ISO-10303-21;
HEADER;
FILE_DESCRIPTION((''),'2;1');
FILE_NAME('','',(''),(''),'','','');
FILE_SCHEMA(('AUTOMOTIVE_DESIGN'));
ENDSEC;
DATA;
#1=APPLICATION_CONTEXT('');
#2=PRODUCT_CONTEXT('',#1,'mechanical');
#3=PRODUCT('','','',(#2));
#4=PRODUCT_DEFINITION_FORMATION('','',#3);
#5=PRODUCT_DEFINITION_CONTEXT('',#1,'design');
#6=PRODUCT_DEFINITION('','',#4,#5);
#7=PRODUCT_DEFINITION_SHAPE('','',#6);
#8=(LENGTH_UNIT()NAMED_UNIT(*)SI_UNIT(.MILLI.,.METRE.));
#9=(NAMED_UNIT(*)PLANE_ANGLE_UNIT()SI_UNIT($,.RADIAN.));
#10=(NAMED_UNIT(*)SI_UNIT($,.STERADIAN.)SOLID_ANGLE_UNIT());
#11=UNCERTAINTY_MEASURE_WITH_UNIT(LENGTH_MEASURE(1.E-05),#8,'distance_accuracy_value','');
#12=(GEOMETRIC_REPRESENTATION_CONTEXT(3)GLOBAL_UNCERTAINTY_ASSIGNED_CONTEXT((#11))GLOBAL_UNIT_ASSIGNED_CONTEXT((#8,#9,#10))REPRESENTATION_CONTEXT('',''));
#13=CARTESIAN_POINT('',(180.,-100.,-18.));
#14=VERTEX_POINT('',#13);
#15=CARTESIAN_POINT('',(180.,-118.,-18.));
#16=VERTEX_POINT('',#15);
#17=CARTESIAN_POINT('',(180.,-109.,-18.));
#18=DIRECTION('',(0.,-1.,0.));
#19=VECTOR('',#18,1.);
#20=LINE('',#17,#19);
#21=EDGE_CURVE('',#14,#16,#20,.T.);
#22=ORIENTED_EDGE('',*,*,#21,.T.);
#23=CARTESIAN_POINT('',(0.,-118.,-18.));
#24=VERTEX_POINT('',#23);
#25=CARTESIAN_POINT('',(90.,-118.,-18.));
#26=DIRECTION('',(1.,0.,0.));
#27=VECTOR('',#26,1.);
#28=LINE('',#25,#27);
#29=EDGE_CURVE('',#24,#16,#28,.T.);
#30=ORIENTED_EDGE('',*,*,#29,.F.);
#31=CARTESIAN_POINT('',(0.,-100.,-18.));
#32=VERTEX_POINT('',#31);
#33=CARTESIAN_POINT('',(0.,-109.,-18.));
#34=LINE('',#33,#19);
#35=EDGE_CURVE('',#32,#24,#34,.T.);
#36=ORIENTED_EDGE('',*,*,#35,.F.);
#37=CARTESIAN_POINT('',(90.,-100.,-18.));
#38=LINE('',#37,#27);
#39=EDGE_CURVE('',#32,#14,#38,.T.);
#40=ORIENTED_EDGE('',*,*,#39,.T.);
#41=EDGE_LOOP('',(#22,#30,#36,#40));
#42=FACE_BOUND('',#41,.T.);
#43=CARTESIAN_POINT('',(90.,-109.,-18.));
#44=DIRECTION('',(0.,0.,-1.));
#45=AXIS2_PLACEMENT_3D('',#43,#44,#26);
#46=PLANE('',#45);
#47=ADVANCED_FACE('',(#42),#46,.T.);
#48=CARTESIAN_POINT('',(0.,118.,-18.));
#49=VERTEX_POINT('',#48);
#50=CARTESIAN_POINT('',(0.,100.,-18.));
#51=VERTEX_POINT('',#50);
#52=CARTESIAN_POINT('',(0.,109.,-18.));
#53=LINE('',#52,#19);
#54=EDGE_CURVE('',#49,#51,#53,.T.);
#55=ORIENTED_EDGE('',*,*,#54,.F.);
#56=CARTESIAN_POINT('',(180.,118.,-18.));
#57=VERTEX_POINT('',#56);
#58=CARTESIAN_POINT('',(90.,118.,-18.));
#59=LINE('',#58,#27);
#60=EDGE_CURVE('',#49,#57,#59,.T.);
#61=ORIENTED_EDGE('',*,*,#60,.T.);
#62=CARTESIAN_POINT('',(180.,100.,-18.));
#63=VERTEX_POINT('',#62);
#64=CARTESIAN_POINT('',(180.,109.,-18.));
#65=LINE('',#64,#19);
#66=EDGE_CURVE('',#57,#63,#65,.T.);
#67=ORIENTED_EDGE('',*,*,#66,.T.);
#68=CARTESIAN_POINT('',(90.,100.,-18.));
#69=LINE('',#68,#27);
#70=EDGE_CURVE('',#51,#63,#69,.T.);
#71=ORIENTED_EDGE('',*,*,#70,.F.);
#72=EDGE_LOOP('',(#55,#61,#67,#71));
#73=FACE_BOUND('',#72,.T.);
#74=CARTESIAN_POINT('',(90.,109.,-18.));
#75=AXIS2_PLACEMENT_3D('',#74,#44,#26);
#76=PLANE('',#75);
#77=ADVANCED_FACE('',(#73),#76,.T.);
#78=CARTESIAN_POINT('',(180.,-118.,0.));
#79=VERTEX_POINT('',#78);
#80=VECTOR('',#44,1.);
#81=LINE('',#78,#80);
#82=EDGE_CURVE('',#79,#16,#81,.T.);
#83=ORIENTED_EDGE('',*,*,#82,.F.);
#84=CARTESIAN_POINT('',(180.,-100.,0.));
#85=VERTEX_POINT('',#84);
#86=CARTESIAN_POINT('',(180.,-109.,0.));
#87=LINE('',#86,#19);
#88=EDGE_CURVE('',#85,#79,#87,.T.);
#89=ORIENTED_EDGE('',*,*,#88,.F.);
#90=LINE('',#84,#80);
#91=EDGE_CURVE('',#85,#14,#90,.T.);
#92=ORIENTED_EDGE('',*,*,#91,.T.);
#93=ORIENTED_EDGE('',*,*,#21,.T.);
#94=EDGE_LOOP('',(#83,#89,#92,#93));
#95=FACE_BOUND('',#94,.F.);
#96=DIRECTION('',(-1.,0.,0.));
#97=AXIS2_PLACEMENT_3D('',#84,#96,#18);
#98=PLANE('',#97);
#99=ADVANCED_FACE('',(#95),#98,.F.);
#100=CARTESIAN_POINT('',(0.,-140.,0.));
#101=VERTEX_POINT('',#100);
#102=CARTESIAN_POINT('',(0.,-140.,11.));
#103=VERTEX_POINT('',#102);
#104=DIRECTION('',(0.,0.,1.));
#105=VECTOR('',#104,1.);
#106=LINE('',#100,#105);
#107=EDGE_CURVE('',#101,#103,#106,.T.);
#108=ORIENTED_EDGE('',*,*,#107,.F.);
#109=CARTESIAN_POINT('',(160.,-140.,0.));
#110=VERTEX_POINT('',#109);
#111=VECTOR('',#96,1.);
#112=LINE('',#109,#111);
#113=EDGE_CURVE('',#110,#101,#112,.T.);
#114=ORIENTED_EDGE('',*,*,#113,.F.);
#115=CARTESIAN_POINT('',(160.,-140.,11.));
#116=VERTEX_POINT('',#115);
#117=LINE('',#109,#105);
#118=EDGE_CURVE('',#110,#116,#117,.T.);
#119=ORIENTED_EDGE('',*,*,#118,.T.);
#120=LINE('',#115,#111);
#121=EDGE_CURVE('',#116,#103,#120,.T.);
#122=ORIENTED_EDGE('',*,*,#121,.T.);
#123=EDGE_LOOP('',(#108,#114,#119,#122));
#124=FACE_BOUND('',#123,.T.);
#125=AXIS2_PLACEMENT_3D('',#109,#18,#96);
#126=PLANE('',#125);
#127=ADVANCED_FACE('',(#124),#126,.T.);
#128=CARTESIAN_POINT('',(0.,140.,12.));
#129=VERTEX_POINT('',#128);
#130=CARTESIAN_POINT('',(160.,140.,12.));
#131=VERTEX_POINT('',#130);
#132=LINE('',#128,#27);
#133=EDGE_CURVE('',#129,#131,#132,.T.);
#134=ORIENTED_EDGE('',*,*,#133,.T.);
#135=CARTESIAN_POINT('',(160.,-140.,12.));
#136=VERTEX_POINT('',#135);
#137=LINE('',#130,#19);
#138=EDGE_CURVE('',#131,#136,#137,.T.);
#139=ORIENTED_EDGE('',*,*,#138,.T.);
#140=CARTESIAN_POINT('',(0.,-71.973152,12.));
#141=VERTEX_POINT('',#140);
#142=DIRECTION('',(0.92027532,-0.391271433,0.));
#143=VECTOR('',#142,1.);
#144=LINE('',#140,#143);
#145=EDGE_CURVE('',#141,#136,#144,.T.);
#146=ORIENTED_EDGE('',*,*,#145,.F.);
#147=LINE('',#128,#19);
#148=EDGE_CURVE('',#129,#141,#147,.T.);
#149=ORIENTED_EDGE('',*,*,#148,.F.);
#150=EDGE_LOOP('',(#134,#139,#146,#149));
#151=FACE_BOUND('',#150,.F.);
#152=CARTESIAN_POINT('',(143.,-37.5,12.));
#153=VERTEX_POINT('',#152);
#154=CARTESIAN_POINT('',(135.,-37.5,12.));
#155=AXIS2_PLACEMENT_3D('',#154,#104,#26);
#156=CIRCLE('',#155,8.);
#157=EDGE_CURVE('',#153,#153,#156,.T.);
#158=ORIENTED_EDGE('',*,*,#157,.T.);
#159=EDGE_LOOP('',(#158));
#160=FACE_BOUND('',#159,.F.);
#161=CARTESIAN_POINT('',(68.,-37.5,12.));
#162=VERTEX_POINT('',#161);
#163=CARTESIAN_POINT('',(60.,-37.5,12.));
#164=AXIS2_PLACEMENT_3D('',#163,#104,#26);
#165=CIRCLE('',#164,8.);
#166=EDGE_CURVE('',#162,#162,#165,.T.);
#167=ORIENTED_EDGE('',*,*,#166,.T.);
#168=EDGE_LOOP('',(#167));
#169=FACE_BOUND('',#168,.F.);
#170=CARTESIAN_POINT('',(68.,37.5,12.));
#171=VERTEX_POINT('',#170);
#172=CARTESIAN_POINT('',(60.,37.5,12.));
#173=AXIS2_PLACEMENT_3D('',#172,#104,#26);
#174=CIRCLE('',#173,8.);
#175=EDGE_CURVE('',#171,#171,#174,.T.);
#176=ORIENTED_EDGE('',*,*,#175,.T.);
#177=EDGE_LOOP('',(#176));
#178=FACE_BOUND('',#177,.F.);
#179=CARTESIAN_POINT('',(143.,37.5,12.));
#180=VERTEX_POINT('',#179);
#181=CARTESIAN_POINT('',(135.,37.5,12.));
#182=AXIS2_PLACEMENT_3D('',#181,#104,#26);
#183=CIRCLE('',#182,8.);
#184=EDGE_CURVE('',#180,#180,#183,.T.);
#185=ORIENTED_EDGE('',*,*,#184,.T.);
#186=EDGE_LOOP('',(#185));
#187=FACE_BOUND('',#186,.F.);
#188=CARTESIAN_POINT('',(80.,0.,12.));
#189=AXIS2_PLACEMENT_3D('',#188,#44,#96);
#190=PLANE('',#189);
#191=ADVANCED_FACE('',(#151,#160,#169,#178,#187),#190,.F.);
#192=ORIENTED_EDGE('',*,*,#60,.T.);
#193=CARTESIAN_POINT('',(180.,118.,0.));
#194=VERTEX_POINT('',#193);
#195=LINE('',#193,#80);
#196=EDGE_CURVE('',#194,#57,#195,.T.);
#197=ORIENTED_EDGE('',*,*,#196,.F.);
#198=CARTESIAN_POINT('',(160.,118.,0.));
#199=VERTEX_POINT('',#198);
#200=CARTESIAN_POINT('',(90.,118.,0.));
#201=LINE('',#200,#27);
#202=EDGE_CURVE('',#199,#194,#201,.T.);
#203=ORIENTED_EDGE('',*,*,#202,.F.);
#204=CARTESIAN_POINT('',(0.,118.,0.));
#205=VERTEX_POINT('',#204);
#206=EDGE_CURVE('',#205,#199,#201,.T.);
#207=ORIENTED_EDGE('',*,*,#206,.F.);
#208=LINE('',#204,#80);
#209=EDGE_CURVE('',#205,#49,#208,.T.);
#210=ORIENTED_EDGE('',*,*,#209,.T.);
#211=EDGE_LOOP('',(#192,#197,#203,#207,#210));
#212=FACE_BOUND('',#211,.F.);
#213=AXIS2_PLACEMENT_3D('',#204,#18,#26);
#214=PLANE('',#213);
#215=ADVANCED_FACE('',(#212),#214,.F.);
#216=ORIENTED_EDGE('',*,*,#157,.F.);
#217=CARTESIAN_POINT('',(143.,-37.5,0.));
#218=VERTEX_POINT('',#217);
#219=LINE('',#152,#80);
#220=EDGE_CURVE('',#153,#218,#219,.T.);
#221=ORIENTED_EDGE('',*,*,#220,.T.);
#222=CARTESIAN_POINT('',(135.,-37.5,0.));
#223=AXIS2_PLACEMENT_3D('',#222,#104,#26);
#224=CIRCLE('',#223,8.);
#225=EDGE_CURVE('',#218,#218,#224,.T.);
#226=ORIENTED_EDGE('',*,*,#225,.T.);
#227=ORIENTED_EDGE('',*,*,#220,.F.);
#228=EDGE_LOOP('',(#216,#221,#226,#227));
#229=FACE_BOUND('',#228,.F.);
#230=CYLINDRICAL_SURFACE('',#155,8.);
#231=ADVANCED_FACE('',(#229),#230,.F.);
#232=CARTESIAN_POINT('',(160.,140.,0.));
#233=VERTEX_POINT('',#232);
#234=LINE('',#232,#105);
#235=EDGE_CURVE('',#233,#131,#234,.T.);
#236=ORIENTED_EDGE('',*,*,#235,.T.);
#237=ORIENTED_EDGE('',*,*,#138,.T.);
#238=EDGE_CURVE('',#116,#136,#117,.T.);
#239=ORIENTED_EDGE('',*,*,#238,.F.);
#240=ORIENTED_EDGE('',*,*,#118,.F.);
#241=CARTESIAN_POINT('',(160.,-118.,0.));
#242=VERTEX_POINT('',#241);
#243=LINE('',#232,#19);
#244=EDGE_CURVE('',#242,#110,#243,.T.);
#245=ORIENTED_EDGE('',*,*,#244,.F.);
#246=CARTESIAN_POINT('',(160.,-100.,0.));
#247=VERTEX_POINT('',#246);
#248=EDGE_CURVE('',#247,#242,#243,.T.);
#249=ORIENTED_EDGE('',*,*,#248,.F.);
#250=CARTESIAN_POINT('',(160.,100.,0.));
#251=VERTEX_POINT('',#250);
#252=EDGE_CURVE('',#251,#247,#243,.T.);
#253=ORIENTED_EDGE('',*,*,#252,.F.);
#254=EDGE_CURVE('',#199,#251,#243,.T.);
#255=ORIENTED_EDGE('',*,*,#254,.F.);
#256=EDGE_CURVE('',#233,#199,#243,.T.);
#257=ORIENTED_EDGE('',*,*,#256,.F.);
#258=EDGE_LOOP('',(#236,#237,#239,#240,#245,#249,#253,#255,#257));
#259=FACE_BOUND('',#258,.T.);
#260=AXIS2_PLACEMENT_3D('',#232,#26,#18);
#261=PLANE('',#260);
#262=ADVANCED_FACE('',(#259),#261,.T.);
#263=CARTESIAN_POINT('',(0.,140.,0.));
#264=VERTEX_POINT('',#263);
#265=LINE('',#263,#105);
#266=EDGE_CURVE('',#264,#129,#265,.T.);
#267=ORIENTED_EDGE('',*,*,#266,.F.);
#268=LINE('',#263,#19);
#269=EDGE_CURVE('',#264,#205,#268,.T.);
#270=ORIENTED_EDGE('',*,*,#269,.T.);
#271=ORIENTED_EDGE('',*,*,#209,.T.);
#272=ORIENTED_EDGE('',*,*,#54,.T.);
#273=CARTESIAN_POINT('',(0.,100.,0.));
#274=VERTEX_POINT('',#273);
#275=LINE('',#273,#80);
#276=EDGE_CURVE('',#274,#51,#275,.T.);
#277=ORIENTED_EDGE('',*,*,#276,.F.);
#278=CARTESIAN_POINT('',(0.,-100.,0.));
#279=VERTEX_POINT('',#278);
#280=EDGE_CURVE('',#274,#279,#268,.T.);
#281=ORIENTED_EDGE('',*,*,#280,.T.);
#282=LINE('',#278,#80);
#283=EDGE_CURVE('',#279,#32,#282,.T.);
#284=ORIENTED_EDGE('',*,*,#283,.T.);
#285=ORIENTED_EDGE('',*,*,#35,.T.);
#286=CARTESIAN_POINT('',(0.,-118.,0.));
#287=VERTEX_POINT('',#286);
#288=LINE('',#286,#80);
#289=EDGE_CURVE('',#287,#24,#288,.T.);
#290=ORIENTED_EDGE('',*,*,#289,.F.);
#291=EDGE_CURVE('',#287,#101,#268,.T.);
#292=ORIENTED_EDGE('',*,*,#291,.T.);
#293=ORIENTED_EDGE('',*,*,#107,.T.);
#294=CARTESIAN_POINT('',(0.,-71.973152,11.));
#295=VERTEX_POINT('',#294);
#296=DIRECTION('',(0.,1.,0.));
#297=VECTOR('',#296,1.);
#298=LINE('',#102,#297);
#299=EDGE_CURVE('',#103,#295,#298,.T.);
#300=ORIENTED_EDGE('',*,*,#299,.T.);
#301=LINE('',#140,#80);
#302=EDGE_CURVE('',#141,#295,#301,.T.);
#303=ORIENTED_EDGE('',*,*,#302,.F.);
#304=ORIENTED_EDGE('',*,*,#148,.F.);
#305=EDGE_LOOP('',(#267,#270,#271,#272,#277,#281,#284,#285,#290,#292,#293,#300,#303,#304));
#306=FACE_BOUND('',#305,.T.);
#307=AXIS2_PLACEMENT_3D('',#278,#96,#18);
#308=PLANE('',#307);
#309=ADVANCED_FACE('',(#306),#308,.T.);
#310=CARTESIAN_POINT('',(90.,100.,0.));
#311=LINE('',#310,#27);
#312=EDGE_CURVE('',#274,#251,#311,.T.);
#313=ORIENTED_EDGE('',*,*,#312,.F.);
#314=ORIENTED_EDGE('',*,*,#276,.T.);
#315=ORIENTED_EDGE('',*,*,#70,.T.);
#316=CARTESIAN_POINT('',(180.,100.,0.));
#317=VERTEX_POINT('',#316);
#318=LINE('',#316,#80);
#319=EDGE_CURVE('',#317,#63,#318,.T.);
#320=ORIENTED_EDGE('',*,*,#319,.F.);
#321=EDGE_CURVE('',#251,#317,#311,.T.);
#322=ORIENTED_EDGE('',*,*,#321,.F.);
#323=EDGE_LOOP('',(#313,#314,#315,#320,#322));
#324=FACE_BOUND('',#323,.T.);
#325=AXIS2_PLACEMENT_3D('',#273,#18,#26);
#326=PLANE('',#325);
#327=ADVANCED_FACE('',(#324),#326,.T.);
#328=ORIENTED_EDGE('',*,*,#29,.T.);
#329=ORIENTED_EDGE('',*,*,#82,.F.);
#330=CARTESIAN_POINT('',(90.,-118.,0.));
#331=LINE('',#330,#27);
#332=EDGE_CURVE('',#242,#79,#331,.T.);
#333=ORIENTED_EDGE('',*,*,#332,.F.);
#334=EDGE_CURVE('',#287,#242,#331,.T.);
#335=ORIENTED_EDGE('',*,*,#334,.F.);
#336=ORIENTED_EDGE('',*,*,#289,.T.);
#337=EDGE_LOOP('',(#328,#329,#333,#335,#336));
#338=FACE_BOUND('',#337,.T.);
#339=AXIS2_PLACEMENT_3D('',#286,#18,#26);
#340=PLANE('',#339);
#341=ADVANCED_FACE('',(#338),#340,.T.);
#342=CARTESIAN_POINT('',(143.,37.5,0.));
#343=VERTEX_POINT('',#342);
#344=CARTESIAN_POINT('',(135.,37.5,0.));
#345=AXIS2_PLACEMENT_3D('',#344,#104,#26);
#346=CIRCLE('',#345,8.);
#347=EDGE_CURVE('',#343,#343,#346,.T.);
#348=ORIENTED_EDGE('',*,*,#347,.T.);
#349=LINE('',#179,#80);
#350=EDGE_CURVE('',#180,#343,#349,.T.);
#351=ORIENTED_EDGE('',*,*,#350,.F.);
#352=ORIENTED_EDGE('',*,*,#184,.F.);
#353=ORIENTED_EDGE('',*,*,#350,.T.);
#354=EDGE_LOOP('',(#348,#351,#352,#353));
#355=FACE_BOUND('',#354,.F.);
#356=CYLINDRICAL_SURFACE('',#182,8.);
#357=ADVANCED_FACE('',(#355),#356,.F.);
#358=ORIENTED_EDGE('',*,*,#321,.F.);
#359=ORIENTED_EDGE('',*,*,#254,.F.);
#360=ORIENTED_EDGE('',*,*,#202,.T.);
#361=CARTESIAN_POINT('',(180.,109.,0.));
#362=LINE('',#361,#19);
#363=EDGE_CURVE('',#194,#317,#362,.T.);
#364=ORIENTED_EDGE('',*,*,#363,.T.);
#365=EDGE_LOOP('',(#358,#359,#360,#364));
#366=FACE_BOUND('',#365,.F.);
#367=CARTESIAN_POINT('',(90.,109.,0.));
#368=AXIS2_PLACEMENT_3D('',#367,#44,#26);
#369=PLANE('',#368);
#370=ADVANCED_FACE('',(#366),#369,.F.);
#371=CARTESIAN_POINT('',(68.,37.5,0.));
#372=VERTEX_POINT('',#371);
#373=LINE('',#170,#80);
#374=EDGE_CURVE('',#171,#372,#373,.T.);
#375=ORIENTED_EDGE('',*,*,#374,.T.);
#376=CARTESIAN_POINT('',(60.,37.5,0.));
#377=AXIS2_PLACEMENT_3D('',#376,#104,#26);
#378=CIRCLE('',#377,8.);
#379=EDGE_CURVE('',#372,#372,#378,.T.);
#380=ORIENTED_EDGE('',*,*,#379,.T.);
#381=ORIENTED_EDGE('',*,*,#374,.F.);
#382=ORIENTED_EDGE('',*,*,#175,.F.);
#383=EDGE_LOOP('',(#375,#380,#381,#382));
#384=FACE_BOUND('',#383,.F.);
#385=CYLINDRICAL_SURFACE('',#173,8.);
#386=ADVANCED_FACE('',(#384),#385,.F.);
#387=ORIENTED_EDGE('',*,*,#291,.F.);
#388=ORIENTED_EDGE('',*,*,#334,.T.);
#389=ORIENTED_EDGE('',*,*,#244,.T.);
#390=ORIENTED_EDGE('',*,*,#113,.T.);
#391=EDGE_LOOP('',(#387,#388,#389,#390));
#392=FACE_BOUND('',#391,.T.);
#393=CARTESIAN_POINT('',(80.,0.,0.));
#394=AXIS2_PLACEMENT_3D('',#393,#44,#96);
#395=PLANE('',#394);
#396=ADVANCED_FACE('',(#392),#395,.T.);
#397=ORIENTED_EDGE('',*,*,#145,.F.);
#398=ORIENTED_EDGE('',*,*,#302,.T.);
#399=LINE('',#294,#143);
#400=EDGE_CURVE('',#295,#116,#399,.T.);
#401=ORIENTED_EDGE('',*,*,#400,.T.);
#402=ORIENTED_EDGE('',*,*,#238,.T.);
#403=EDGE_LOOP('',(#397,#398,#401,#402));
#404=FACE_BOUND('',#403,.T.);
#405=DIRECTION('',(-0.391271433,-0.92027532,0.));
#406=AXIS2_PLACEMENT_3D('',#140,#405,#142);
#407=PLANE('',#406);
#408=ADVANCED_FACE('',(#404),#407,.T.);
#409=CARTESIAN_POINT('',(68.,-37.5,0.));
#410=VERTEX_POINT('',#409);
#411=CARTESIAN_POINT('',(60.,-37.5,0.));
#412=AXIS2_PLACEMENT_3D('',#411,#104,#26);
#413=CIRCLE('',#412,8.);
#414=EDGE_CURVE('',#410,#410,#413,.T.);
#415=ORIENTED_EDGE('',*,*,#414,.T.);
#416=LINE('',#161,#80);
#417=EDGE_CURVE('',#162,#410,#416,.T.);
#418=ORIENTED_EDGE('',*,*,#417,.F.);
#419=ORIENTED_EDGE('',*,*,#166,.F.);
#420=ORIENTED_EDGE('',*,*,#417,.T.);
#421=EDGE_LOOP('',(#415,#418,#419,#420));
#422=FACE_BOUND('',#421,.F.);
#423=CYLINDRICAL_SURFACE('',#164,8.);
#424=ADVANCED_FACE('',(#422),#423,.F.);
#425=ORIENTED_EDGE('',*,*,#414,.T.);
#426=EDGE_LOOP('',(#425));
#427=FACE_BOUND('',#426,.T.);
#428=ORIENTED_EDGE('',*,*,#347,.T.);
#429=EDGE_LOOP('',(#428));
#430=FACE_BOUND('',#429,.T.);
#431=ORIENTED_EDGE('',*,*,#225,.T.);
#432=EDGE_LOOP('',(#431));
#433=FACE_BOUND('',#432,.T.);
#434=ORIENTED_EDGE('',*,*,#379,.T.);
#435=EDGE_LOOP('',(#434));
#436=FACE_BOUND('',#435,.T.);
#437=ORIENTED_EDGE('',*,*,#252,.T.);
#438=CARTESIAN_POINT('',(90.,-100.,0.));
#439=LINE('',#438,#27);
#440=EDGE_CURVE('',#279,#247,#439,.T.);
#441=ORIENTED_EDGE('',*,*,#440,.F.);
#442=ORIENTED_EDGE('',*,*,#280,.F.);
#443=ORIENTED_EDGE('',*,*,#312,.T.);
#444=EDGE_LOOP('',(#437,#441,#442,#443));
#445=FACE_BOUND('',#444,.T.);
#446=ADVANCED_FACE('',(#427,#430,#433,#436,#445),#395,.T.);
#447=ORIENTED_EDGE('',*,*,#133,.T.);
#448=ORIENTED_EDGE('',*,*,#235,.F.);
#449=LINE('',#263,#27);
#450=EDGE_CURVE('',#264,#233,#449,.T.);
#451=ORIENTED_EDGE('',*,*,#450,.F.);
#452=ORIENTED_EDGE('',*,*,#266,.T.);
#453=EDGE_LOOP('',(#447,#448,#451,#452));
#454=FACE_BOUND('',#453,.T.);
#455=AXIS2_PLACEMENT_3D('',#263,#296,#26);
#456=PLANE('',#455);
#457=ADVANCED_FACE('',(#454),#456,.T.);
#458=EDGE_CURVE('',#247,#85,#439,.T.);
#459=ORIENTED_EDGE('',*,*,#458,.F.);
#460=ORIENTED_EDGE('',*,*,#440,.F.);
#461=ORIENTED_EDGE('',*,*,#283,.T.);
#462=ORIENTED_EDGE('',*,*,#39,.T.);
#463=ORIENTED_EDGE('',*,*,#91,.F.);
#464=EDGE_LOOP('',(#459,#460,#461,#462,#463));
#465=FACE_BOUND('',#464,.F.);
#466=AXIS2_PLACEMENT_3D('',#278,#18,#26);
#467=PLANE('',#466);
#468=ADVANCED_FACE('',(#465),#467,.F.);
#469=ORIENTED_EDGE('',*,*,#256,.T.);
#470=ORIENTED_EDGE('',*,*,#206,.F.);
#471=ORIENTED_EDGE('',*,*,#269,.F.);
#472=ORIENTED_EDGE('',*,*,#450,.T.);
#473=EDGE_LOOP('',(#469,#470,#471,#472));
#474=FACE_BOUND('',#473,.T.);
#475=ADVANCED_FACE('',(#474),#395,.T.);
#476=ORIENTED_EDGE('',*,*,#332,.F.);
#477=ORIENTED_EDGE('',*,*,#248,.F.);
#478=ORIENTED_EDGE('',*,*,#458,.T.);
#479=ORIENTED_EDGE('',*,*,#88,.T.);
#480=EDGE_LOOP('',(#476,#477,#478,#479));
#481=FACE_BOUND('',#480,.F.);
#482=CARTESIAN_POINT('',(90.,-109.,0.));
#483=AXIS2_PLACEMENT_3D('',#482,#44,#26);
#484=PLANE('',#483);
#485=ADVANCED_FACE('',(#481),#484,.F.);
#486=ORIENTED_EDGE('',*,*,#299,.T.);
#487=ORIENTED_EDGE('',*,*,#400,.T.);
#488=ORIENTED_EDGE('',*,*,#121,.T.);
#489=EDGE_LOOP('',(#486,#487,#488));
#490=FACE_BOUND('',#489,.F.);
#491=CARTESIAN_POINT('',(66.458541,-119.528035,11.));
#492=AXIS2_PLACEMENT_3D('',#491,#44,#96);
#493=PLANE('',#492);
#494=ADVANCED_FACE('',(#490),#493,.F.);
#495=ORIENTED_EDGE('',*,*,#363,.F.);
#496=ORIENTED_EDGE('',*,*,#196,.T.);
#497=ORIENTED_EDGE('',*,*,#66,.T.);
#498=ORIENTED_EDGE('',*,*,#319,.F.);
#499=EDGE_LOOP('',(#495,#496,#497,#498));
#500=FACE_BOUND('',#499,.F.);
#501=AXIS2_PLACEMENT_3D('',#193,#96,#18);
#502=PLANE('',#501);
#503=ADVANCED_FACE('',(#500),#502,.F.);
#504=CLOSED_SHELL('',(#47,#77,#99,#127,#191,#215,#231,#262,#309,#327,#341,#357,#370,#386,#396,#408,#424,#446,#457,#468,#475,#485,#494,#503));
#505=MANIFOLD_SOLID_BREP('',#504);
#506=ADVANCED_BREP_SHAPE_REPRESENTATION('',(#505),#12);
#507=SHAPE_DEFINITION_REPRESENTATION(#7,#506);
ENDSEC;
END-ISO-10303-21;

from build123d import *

# Parameters (mm, degrees)
PAD_DEPTH       = 12
POCKET_DEPTH    = 1
SKETCH003_R     = 8
POCKET001_DEPTH = 12.001
SKETCH004_W     = 180
SKETCH004_H     = 18
PAD001_DEPTH    = 18


with BuildPart() as part:
    # Sketch → Pad (new body)
    with BuildSketch(Plane.XY):
        Polygon((0, 0), (0, 140), (160, 140), (160, -140), (0, -140), align=None)
    extrude(amount=PAD_DEPTH)

    # Sketch002 (on Face7 of Pad) → Pocket (cut)
    with BuildSketch(Plane.XY.offset(12)):
        Polygon((0, -140), (0, -71.973152), (160, -140), align=None)
    extrude(amount=-POCKET_DEPTH, mode=Mode.SUBTRACT)

    # Sketch003 (on Face5 of Pocket) → Pocket001 (cut, through all)
    with BuildSketch(Plane.XY.offset(12)):
        with Locations((60, 37.5)):
            Circle(SKETCH003_R)
        with Locations((135, 37.5)):
            Circle(SKETCH003_R)
        with Locations((135, -37.5)):
            Circle(SKETCH003_R)
        with Locations((60, -37.5)):
            Circle(SKETCH003_R)
    extrude(amount=-POCKET001_DEPTH, mode=Mode.SUBTRACT)

    # Sketch004 (on Face4 of Pocket001) → Pad001 (join)
    with BuildSketch(Plane(origin=(0, 0, 0), x_dir=(1, 0, 0), z_dir=(0, 0, -1))):
        with Locations((90, 109)):
            Rectangle(SKETCH004_W, SKETCH004_H)
        with Locations((90, -109)):
            Rectangle(SKETCH004_W, SKETCH004_H)
    extrude(amount=PAD001_DEPTH)


solid = part.part
